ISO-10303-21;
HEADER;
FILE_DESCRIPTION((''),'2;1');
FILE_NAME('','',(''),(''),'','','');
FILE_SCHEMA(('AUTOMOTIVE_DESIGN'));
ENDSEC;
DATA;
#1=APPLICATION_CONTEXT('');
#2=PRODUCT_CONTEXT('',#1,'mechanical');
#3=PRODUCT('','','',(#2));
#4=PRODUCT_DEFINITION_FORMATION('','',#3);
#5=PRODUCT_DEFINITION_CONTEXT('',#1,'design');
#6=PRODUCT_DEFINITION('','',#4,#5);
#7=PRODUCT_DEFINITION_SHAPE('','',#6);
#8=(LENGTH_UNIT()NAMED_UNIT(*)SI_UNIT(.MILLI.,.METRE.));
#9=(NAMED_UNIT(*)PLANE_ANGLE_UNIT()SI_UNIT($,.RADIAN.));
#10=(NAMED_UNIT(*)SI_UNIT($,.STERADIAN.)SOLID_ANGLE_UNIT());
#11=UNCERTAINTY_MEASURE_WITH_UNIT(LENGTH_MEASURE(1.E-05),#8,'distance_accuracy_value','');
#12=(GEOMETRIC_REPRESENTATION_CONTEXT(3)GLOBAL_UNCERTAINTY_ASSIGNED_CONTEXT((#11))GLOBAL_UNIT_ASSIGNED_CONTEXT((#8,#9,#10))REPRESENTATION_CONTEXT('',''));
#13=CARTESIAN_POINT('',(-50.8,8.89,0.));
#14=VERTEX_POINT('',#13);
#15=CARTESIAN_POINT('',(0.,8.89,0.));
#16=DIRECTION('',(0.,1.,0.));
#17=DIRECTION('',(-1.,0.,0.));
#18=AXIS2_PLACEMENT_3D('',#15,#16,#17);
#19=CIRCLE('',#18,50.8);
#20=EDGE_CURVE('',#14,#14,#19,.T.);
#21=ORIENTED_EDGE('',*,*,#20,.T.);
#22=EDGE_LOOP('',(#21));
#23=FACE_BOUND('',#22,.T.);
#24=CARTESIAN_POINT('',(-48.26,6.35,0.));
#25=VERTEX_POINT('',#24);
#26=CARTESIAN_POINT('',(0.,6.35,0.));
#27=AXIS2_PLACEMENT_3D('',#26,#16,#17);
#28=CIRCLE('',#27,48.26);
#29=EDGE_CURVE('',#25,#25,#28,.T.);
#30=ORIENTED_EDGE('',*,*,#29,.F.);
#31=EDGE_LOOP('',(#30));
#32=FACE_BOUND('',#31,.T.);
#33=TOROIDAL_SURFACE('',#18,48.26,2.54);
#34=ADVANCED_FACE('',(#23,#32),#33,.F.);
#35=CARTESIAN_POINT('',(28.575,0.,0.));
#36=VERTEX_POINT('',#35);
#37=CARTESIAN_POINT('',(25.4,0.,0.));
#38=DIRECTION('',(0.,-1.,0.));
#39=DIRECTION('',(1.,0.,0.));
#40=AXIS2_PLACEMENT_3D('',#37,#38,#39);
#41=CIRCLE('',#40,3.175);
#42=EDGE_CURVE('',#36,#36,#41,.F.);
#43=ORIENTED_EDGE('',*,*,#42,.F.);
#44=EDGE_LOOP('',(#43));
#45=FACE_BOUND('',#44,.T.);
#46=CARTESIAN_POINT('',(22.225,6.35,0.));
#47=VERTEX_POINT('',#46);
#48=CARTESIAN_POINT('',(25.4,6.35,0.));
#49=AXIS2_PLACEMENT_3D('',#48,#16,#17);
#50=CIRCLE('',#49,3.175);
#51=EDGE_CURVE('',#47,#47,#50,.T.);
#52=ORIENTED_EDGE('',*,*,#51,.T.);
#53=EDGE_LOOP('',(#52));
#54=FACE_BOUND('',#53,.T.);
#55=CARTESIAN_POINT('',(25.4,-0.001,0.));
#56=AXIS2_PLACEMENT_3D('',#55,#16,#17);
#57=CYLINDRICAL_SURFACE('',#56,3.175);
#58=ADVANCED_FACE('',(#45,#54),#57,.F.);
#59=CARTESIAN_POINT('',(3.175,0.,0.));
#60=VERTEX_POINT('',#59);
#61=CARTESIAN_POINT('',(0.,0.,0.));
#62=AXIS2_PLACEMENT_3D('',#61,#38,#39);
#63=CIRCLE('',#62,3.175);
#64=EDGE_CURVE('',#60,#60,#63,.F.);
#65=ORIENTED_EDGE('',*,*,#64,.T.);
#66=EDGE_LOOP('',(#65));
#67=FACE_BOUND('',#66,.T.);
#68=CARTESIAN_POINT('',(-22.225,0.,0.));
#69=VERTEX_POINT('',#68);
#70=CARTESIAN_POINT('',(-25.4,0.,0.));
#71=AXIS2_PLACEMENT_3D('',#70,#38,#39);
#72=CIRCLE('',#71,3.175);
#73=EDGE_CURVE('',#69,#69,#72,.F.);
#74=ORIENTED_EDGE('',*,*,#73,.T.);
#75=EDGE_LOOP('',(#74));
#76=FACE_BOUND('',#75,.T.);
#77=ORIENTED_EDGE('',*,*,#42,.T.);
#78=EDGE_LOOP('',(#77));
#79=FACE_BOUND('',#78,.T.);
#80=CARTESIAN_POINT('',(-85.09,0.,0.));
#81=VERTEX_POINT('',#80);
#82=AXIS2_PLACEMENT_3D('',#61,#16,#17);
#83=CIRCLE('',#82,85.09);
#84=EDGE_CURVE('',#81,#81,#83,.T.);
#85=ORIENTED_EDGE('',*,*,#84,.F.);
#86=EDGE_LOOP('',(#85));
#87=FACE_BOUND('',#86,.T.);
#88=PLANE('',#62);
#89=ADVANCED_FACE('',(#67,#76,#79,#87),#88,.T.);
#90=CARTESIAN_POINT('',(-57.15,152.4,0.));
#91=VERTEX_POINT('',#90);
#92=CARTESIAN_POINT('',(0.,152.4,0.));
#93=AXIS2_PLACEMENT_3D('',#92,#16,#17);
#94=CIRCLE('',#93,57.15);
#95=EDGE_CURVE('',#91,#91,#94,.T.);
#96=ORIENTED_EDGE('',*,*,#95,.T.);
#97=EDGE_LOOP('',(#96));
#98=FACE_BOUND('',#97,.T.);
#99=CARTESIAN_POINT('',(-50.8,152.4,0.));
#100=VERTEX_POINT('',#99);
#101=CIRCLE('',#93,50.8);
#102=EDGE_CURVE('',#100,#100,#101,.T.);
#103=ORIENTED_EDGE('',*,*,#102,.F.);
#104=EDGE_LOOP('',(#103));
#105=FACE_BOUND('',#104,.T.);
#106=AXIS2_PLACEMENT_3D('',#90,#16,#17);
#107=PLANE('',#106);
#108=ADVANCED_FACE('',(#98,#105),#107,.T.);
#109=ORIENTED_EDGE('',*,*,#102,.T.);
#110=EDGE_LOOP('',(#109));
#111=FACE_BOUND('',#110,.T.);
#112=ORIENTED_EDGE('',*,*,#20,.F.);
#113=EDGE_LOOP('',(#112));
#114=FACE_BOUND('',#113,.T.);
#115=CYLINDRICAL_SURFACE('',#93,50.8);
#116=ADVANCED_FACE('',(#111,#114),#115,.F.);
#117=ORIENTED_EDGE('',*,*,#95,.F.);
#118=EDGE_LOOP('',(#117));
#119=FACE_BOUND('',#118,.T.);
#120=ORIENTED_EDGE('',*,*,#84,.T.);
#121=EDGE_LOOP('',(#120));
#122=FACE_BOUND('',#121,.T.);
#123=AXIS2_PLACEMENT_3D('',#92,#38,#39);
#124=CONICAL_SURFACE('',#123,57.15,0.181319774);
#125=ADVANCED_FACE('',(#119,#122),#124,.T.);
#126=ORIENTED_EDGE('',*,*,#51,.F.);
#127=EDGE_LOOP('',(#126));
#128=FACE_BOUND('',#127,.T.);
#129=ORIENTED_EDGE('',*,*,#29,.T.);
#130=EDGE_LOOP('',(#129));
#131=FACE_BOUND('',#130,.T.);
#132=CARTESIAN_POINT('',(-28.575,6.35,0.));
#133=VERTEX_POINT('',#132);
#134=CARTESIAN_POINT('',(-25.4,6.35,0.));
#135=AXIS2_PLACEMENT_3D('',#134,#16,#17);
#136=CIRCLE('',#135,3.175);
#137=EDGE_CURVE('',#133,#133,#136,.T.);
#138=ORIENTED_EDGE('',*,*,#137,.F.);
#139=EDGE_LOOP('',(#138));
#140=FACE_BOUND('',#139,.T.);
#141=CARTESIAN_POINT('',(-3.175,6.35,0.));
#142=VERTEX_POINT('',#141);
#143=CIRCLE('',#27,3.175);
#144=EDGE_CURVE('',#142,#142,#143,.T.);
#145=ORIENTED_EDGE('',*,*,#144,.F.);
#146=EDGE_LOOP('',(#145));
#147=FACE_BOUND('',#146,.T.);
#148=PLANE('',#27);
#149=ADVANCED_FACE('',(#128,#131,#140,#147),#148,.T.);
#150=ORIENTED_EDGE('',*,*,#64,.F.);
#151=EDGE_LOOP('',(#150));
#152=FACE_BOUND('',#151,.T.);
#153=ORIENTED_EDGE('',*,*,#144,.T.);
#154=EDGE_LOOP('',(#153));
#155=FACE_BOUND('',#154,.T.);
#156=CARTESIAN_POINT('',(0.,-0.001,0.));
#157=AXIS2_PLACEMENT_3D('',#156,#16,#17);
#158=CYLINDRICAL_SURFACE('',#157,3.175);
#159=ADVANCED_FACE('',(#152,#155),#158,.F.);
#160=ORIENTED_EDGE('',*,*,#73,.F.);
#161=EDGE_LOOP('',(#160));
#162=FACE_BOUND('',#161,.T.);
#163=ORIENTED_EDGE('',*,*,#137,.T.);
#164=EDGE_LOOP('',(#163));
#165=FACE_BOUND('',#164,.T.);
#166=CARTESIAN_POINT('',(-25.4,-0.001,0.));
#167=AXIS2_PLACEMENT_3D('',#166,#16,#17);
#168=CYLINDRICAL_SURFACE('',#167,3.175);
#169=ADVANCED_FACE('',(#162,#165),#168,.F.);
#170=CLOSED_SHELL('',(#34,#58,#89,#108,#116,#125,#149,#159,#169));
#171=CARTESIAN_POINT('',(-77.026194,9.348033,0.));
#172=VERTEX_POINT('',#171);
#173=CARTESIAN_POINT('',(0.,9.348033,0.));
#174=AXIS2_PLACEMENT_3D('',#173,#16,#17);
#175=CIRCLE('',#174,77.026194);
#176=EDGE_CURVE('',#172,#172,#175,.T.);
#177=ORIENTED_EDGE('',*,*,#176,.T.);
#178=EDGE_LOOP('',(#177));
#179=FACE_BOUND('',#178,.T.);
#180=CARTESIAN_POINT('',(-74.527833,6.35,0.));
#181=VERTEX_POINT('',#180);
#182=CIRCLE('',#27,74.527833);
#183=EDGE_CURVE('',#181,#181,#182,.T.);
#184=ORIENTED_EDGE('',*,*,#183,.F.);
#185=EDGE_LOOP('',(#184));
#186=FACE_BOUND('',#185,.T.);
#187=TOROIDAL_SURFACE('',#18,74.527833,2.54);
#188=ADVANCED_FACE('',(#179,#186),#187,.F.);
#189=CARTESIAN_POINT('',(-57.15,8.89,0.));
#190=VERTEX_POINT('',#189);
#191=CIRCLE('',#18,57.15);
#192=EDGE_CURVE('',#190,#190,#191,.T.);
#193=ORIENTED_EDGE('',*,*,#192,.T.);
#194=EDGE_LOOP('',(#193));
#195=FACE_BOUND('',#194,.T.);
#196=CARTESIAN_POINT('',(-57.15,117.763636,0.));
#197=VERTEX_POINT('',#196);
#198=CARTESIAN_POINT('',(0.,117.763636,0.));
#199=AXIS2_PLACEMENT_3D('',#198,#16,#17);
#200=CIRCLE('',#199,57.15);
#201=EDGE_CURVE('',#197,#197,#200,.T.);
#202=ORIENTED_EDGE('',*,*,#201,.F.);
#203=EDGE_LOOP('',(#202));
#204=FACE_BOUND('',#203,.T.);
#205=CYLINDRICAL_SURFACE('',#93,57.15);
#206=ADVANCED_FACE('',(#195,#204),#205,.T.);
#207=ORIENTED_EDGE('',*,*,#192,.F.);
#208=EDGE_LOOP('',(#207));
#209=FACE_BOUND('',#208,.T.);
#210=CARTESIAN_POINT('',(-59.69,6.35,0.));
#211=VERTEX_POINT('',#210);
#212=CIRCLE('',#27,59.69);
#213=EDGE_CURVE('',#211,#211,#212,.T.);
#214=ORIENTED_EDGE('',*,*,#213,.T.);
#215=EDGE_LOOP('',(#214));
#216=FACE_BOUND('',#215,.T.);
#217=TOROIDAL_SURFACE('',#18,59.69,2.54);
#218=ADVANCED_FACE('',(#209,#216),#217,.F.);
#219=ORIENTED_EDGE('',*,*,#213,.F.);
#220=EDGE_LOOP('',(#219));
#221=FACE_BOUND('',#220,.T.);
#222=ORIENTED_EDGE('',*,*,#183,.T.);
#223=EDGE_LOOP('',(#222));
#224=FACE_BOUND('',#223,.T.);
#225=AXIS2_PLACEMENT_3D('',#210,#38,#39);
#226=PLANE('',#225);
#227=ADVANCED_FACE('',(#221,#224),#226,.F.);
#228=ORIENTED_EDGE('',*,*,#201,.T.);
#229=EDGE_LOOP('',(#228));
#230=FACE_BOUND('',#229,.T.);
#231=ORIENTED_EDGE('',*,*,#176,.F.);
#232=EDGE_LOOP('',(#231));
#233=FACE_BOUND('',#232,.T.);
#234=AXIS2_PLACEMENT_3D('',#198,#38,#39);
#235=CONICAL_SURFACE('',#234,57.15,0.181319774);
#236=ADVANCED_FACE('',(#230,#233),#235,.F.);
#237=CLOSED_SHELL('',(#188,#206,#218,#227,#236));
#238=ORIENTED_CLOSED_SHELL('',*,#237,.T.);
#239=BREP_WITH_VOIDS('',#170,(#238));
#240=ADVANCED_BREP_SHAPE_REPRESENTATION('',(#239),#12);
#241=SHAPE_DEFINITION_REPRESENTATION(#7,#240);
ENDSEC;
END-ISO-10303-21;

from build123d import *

# Parameters (mm, degrees)
CUT_EXTRUDE1_REACH = 191.239
SKETCH2_R          = 3.175


with BuildPart() as part:
    # Sketch1 → Revolve1 (revolve)
    with BuildSketch(Plane.XY):
        with BuildLine():
            Line((0, 0), (-78.74, 0))
            Line((-78.74, 0), (-85.09, 0))
            Line((-85.09, 0), (-57.15, 152.4))
            Line((-57.15, 152.4), (-50.8, 152.4))
            Line((-50.8, 152.4), (-50.8, 8.89))
            ThreePointArc((-50.8, 8.89), (-50.056051224, 7.093948776), (-48.26, 6.35))
            Line((-48.26, 6.35), (0, 6.35))
            Line((0, 6.35), (0, 0))
        make_face()
        with BuildLine():
            Line((-57.15, 8.89), (-57.15, 117.763636364))
            Line((-57.15, 117.763636364), (-77.026193989, 9.348032787))
            ThreePointArc((-77.026193989, 9.348032787), (-76.479115384, 7.263931625), (-74.527833333, 6.35))
            Line((-74.527833333, 6.35), (-59.69, 6.35))
            ThreePointArc((-59.69, 6.35), (-57.893948776, 7.093948776), (-57.15, 8.89))
        make_face(mode=Mode.SUBTRACT)
    revolve(axis=Axis((0, 152.4, 0), (0, -1, 0)))

    # Sketch2 → Cut-Extrude1 (cut, up to next)
    with BuildSketch(Plane(origin=(0, 6.35, 0), x_dir=(1, 0, 0), z_dir=(0, 1, 0)), mode=Mode.PRIVATE) as cut_extrude1_sk1:
        with Locations(Location((0, 0, 0), (0, 0, 180))):
            Circle(SKETCH2_R)
    cut_extrude1_tool1 = extrude(cut_extrude1_sk1.sketch, amount=-CUT_EXTRUDE1_REACH, mode=Mode.PRIVATE) & part.part
    # Sketch2 → Cut-Extrude1 (cut, up to next)
    with BuildSketch(Plane(origin=(0, 6.35, 0), x_dir=(1, 0, 0), z_dir=(0, 1, 0)), mode=Mode.PRIVATE) as cut_extrude1_sk2:
        with Locations(Location((25.4, 0, 0), (0, 0, 180))):
            Circle(SKETCH2_R)
    cut_extrude1_tool2 = extrude(cut_extrude1_sk2.sketch, amount=-CUT_EXTRUDE1_REACH, mode=Mode.PRIVATE) & part.part
    # Sketch2 → Cut-Extrude1 (cut, up to next)
    with BuildSketch(Plane(origin=(0, 6.35, 0), x_dir=(1, 0, 0), z_dir=(0, 1, 0)), mode=Mode.PRIVATE) as cut_extrude1_sk3:
        with Locations(Location((-25.4, 0, 0), (0, 0, 180))):
            Circle(SKETCH2_R)
    cut_extrude1_tool3 = extrude(cut_extrude1_sk3.sketch, amount=-CUT_EXTRUDE1_REACH, mode=Mode.PRIVATE) & part.part
    add(cut_extrude1_tool1.solids().sort_by_distance((0, 6.35, 0))[0], mode=Mode.SUBTRACT)
    add(cut_extrude1_tool2.solids().sort_by_distance((25.4, 6.35, 0))[0], mode=Mode.SUBTRACT)
    add(cut_extrude1_tool3.solids().sort_by_distance((-25.4, 6.35, 0))[0], mode=Mode.SUBTRACT)


solid = part.part
